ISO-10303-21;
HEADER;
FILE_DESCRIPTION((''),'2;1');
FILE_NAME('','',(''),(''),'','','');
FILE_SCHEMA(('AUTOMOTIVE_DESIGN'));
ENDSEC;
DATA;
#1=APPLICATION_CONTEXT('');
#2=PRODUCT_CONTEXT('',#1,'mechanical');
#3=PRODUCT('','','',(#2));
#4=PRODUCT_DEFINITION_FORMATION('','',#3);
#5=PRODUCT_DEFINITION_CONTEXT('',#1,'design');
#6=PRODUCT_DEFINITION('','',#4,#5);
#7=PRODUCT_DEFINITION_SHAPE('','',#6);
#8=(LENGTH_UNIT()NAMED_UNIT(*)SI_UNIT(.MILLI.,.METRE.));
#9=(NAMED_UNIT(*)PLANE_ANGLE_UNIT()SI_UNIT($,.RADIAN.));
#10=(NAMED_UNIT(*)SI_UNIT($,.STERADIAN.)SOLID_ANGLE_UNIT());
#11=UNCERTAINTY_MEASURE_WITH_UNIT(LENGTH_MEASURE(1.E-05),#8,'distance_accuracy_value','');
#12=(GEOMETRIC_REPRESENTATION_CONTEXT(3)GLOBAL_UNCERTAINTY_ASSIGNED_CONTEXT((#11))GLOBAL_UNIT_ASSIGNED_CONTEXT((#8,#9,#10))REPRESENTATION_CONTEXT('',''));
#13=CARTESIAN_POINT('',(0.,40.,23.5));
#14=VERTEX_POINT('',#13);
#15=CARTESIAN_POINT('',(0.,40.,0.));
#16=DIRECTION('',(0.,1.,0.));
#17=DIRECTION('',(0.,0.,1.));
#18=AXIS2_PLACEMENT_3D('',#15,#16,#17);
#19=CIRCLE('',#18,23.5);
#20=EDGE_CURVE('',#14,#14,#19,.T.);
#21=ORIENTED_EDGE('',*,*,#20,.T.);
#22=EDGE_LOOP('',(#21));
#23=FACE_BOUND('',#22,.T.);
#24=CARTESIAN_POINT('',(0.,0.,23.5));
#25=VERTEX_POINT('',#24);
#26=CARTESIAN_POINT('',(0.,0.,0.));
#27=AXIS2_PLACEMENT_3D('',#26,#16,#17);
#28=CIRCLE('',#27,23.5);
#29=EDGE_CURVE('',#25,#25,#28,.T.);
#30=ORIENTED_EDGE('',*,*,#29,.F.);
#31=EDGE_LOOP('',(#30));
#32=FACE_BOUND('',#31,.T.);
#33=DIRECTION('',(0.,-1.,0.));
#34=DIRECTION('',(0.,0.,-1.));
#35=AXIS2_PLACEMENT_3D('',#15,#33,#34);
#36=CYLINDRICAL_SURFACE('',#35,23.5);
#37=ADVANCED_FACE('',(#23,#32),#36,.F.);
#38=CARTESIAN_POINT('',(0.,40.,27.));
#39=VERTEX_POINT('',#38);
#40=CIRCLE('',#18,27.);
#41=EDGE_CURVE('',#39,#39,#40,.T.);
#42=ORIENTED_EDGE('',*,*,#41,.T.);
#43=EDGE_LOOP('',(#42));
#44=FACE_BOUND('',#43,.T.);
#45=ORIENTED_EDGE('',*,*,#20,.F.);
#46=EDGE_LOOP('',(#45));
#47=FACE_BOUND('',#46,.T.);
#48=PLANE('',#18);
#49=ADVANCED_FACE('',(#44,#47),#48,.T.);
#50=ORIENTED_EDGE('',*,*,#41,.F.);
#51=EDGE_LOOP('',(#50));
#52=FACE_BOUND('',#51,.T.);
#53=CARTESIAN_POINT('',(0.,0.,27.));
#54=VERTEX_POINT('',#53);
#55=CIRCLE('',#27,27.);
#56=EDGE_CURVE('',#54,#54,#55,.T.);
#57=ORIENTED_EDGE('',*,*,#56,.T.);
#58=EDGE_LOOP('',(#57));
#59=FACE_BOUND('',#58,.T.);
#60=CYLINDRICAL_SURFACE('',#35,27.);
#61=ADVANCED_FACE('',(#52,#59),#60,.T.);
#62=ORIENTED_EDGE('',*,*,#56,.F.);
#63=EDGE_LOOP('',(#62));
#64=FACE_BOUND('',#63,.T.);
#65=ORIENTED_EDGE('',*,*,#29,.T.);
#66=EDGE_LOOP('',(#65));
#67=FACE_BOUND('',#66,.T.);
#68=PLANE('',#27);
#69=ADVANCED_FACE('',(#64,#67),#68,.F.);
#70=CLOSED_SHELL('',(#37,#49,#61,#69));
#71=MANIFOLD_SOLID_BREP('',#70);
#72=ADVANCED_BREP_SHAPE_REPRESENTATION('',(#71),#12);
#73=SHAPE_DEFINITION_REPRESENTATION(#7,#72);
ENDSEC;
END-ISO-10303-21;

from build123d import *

# Parameters (mm, degrees)
SKETCH1_R           = 27
SKETCH1_R_2         = 23.5
BOSS_EXTRUDE1_DEPTH = 40


with BuildPart() as part:
    # Sketch1 → Boss-Extrude1 (new body)
    with BuildSketch(Plane(origin=(0, 0, 0), x_dir=(1, 0, 0), z_dir=(0, 1, 0))):
        Circle(SKETCH1_R)
        Circle(SKETCH1_R_2, mode=Mode.SUBTRACT)
    extrude(amount=BOSS_EXTRUDE1_DEPTH)


solid = part.part
